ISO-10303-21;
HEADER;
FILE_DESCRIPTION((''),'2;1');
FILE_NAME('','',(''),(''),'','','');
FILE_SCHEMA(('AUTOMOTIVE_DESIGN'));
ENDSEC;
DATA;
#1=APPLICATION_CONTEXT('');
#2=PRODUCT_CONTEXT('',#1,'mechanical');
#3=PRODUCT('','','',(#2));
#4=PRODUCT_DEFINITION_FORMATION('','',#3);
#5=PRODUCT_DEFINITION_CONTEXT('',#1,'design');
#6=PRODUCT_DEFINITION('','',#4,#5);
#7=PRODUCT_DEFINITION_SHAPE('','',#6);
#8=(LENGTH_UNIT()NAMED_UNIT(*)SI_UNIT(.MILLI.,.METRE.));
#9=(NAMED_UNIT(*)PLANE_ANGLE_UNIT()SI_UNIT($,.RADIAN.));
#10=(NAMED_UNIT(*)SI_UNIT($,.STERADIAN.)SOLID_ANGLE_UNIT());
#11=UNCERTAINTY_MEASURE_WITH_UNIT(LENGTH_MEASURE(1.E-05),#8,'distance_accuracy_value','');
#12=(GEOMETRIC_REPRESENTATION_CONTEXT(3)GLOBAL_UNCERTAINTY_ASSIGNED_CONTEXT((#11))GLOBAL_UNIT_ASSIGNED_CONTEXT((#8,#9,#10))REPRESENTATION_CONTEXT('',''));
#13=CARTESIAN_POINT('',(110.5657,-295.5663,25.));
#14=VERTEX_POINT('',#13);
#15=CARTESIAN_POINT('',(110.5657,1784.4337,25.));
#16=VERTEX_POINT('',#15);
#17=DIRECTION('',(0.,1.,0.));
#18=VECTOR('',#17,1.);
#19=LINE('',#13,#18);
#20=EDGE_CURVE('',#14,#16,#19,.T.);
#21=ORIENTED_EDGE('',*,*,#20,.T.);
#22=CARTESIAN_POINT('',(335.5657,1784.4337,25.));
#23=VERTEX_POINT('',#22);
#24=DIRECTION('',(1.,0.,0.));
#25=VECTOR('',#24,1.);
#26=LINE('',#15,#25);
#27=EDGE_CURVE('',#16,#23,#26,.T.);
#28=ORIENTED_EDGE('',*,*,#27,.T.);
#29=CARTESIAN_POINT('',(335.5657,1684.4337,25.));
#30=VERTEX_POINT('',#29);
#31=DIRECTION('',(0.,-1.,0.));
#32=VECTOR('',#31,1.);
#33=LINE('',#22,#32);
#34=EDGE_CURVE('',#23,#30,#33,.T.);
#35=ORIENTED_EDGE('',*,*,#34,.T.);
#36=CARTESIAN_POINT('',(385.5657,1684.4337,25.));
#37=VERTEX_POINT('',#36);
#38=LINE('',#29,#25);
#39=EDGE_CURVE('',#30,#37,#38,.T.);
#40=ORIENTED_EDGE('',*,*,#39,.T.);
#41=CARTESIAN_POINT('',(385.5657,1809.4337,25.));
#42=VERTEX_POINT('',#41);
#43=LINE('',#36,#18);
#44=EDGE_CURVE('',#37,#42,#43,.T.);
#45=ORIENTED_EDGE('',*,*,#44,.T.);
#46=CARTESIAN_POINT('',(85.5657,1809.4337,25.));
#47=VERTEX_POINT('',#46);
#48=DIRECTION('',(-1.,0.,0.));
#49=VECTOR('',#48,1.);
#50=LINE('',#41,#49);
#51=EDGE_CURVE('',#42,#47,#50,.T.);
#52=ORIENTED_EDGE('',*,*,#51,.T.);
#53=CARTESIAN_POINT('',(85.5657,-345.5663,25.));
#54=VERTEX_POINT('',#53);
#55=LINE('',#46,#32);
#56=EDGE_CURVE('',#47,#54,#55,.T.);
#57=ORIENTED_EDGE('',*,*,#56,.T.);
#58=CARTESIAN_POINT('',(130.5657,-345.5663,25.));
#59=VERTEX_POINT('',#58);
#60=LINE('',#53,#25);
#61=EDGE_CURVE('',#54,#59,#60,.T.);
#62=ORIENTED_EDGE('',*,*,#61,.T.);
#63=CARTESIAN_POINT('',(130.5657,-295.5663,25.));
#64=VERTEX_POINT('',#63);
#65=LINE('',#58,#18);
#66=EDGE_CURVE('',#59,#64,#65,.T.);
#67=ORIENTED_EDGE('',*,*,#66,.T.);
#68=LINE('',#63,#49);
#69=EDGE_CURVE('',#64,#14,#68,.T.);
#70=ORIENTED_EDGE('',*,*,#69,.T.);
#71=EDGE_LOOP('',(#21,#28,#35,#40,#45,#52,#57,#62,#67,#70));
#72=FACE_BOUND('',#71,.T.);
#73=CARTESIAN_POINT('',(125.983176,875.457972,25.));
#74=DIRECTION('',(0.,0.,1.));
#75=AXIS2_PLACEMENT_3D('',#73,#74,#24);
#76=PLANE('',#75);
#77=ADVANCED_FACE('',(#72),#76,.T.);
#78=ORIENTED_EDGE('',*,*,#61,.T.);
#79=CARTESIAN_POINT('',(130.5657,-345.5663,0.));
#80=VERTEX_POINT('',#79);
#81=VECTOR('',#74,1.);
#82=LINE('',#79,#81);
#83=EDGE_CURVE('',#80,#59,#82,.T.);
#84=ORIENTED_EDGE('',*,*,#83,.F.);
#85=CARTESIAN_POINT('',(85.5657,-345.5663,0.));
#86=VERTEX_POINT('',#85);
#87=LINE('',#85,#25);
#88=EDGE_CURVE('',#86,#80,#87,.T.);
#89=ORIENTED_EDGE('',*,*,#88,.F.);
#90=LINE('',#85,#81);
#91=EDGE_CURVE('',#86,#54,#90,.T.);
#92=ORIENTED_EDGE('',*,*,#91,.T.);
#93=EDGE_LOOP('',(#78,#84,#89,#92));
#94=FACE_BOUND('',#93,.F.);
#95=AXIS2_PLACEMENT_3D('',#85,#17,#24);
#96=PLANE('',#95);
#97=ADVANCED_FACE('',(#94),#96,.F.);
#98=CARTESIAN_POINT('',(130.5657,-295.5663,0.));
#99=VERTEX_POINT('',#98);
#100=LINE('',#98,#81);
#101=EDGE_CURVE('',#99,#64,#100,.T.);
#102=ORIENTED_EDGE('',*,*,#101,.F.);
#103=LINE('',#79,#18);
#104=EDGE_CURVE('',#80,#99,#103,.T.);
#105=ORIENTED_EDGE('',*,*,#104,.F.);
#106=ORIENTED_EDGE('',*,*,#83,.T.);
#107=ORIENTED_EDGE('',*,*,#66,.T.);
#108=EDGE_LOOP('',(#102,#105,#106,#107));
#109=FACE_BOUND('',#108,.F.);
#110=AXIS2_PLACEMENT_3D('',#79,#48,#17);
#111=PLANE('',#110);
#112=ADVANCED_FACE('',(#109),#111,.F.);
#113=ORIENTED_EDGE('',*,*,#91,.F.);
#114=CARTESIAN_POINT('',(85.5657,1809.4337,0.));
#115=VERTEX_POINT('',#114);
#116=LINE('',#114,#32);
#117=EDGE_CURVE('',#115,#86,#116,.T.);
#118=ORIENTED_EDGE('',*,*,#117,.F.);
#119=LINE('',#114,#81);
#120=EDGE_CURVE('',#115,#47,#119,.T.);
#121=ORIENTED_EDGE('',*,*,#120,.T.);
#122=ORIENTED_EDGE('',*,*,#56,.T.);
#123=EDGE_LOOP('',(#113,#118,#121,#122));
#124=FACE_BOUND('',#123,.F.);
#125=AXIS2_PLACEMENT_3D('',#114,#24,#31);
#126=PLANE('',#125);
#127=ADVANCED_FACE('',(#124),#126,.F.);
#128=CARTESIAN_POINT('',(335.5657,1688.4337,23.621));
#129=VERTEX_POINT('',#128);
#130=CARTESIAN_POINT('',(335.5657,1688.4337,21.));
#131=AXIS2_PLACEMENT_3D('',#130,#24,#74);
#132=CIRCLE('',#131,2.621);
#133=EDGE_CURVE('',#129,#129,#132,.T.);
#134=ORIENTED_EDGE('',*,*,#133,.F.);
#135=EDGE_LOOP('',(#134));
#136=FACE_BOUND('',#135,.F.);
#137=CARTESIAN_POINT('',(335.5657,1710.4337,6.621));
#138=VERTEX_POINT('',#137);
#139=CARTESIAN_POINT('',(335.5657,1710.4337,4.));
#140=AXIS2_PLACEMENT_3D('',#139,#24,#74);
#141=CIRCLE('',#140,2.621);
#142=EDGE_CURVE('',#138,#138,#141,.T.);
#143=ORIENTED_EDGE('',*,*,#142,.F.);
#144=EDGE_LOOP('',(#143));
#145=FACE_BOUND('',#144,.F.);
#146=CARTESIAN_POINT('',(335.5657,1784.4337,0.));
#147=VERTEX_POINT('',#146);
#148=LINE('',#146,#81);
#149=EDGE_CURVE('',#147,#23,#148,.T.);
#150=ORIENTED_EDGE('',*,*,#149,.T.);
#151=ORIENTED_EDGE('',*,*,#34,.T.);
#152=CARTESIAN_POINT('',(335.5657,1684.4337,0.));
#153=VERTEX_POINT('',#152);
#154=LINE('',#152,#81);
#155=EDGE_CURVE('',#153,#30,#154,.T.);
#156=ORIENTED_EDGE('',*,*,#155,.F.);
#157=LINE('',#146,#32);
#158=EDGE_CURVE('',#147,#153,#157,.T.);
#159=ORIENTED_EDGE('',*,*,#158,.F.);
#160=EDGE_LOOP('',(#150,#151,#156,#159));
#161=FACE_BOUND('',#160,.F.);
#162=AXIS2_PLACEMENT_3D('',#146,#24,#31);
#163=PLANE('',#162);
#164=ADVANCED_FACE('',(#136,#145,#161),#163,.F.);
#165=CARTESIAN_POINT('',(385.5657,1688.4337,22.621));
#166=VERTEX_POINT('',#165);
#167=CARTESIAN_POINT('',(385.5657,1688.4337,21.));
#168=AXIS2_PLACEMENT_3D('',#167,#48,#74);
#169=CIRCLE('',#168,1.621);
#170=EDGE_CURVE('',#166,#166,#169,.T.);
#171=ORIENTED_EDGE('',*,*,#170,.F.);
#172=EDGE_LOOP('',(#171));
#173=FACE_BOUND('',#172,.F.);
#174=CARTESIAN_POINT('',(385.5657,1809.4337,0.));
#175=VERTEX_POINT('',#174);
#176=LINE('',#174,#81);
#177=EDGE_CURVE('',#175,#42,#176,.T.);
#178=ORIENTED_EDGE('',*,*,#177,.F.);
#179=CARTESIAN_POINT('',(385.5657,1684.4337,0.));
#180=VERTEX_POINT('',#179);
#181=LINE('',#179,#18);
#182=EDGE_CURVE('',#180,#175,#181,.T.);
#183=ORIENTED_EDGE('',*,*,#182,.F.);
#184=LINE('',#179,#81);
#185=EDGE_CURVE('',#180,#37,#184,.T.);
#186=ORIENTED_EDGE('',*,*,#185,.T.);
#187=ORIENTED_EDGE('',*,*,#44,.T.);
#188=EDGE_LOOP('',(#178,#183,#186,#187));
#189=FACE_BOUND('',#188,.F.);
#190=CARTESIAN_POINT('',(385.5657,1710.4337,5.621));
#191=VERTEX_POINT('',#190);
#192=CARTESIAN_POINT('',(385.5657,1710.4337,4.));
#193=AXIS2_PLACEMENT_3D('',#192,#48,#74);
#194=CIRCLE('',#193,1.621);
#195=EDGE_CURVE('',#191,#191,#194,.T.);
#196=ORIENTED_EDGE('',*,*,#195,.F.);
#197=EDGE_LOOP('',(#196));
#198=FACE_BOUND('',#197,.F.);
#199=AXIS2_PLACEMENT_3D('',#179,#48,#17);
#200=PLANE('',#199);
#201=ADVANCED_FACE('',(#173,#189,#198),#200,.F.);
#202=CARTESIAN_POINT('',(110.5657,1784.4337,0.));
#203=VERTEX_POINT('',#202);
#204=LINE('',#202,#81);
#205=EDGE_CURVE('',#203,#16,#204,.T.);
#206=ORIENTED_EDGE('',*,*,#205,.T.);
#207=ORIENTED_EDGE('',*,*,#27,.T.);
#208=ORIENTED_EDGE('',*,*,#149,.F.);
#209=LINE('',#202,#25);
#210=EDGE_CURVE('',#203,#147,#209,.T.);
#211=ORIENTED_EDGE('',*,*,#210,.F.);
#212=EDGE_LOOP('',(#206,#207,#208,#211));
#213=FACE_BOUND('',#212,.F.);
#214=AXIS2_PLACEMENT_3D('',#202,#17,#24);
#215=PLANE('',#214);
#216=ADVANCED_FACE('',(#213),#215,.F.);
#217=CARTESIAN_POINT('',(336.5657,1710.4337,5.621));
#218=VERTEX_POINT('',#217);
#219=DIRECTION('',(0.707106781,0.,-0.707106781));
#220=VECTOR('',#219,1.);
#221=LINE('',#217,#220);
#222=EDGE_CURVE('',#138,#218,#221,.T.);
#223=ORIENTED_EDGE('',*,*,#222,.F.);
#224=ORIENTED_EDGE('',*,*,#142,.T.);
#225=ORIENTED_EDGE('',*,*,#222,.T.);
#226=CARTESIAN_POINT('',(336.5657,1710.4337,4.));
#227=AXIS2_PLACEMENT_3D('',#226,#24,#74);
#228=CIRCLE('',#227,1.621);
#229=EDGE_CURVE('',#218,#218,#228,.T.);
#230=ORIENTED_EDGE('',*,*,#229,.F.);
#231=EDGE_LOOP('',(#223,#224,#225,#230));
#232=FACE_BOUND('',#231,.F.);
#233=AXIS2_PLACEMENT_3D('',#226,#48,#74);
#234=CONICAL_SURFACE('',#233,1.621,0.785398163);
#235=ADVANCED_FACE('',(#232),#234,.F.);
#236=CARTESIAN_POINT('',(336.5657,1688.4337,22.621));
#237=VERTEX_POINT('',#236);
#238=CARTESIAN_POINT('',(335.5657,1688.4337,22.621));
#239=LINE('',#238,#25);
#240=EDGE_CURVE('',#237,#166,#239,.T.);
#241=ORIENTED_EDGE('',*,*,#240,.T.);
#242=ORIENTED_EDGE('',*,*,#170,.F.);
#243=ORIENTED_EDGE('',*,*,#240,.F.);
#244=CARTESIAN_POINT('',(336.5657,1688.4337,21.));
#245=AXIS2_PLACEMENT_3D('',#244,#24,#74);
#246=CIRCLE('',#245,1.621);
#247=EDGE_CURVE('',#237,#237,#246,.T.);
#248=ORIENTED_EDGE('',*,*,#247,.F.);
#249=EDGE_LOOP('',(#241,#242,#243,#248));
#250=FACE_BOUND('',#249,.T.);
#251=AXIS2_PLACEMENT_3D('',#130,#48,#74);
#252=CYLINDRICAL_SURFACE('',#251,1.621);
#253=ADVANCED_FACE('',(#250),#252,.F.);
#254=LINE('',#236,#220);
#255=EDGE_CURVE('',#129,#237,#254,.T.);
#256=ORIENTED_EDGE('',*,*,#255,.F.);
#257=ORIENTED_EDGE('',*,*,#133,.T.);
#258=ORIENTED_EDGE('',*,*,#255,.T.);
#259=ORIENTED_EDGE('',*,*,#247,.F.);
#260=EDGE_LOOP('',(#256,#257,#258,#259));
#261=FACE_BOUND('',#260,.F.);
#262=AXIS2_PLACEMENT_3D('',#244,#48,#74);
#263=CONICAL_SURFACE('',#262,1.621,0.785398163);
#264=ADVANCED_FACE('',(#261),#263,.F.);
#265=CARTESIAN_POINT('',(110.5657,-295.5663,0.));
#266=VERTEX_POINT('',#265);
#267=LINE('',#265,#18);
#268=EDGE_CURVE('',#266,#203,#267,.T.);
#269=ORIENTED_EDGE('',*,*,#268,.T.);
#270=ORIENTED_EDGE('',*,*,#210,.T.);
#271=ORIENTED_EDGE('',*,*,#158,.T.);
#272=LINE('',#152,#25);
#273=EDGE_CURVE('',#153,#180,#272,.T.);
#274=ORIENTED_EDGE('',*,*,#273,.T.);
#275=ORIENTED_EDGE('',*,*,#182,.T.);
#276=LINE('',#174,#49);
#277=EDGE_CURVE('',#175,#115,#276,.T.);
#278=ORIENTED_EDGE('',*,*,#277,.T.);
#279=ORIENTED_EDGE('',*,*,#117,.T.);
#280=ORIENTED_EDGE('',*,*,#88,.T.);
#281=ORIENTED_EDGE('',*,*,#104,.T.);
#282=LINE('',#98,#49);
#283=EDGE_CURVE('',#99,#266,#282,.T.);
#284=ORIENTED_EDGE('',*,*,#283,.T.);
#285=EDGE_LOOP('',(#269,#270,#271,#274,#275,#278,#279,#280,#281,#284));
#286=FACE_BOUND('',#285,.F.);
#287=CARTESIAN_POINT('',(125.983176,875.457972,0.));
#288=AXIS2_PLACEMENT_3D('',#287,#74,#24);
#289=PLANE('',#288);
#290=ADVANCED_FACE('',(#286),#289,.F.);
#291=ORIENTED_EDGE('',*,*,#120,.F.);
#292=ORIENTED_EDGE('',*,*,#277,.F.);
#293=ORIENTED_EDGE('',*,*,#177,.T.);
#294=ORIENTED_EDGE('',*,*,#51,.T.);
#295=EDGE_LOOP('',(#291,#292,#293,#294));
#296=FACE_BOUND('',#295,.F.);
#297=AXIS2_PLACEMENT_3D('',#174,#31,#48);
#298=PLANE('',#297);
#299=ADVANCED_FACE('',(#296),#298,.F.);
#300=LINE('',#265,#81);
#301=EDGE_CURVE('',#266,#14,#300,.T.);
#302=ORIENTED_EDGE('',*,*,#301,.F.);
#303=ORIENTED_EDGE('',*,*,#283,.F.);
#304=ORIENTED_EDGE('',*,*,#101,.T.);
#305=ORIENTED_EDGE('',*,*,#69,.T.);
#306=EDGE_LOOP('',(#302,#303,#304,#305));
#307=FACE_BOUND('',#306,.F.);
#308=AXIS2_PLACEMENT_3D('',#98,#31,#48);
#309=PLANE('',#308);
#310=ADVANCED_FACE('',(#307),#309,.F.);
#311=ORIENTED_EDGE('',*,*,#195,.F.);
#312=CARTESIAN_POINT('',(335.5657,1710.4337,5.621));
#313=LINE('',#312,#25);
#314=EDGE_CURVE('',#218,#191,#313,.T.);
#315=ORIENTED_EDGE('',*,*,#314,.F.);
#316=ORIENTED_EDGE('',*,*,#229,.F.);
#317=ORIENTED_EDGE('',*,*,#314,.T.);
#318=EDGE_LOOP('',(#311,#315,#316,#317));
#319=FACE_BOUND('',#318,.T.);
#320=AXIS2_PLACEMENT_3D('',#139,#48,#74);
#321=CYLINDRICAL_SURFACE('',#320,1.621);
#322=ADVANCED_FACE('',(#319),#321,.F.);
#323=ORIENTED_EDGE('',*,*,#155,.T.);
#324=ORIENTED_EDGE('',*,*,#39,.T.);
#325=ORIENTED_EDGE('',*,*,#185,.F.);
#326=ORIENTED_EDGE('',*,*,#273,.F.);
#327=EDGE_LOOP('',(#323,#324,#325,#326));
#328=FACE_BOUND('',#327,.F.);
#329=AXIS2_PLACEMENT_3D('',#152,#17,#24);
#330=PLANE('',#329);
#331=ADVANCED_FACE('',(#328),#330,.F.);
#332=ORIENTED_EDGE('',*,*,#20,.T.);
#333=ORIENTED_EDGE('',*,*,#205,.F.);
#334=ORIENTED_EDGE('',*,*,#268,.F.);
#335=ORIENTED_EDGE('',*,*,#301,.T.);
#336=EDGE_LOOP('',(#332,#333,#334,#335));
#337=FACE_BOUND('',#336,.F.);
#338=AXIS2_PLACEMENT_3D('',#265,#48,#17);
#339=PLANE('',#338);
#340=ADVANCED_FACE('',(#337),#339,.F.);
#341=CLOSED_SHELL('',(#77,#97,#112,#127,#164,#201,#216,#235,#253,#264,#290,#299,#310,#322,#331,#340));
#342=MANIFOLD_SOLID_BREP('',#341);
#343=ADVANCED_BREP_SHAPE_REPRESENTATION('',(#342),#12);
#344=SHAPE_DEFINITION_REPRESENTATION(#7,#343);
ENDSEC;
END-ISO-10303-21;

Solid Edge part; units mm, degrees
sketch "Sketch1" plane through (0, 0, 0) normal (0, 0, -1) x (-1, 0, 0)
  line L0 (-110.5657, -295.5663) -> (-110.5657, 1784.4337)
  line L1 (-110.5657, 1784.4337) -> (-335.5657, 1784.4337)
  line L2 (-335.5657, 1784.4337) -> (-335.5657, 1684.4337)
  line L3 (-335.5657, 1684.4337) -> (-385.5657, 1684.4337)
  line L4 (-385.5657, 1684.4337) -> (-385.5657, 1809.4337)
  line L5 (-385.5657, 1809.4337) -> (-85.5657, 1809.4337)
  line L6 (-85.5657, 1809.4337) -> (-85.5657, -345.5663)
  line L7 (-85.5657, -345.5663) -> (-130.5657, -345.5663)
  line L8 (-130.5657, -345.5663) -> (-130.5657, -295.5663)
  line L9 (-130.5657, -295.5663) -> (-110.5657, -295.5663)
extrude "Protrusion1" add sketch "Sketch1" against normal blind 25
hole "Hole_1" at (335.5657, 1688.4337, 21) direction (1, 0, 0) diameter 3.242 end up to next
hole "Hole1" at (335.5657, 1710.4337, 4) direction (1, 0, 0) diameter 3.242 end up to next
chamfer "Chamfer_1" distance 1 angle 45 2 edges at (335.5657, 1688.4337, 22.621) (335.5657, 1710.4337, 5.621)
